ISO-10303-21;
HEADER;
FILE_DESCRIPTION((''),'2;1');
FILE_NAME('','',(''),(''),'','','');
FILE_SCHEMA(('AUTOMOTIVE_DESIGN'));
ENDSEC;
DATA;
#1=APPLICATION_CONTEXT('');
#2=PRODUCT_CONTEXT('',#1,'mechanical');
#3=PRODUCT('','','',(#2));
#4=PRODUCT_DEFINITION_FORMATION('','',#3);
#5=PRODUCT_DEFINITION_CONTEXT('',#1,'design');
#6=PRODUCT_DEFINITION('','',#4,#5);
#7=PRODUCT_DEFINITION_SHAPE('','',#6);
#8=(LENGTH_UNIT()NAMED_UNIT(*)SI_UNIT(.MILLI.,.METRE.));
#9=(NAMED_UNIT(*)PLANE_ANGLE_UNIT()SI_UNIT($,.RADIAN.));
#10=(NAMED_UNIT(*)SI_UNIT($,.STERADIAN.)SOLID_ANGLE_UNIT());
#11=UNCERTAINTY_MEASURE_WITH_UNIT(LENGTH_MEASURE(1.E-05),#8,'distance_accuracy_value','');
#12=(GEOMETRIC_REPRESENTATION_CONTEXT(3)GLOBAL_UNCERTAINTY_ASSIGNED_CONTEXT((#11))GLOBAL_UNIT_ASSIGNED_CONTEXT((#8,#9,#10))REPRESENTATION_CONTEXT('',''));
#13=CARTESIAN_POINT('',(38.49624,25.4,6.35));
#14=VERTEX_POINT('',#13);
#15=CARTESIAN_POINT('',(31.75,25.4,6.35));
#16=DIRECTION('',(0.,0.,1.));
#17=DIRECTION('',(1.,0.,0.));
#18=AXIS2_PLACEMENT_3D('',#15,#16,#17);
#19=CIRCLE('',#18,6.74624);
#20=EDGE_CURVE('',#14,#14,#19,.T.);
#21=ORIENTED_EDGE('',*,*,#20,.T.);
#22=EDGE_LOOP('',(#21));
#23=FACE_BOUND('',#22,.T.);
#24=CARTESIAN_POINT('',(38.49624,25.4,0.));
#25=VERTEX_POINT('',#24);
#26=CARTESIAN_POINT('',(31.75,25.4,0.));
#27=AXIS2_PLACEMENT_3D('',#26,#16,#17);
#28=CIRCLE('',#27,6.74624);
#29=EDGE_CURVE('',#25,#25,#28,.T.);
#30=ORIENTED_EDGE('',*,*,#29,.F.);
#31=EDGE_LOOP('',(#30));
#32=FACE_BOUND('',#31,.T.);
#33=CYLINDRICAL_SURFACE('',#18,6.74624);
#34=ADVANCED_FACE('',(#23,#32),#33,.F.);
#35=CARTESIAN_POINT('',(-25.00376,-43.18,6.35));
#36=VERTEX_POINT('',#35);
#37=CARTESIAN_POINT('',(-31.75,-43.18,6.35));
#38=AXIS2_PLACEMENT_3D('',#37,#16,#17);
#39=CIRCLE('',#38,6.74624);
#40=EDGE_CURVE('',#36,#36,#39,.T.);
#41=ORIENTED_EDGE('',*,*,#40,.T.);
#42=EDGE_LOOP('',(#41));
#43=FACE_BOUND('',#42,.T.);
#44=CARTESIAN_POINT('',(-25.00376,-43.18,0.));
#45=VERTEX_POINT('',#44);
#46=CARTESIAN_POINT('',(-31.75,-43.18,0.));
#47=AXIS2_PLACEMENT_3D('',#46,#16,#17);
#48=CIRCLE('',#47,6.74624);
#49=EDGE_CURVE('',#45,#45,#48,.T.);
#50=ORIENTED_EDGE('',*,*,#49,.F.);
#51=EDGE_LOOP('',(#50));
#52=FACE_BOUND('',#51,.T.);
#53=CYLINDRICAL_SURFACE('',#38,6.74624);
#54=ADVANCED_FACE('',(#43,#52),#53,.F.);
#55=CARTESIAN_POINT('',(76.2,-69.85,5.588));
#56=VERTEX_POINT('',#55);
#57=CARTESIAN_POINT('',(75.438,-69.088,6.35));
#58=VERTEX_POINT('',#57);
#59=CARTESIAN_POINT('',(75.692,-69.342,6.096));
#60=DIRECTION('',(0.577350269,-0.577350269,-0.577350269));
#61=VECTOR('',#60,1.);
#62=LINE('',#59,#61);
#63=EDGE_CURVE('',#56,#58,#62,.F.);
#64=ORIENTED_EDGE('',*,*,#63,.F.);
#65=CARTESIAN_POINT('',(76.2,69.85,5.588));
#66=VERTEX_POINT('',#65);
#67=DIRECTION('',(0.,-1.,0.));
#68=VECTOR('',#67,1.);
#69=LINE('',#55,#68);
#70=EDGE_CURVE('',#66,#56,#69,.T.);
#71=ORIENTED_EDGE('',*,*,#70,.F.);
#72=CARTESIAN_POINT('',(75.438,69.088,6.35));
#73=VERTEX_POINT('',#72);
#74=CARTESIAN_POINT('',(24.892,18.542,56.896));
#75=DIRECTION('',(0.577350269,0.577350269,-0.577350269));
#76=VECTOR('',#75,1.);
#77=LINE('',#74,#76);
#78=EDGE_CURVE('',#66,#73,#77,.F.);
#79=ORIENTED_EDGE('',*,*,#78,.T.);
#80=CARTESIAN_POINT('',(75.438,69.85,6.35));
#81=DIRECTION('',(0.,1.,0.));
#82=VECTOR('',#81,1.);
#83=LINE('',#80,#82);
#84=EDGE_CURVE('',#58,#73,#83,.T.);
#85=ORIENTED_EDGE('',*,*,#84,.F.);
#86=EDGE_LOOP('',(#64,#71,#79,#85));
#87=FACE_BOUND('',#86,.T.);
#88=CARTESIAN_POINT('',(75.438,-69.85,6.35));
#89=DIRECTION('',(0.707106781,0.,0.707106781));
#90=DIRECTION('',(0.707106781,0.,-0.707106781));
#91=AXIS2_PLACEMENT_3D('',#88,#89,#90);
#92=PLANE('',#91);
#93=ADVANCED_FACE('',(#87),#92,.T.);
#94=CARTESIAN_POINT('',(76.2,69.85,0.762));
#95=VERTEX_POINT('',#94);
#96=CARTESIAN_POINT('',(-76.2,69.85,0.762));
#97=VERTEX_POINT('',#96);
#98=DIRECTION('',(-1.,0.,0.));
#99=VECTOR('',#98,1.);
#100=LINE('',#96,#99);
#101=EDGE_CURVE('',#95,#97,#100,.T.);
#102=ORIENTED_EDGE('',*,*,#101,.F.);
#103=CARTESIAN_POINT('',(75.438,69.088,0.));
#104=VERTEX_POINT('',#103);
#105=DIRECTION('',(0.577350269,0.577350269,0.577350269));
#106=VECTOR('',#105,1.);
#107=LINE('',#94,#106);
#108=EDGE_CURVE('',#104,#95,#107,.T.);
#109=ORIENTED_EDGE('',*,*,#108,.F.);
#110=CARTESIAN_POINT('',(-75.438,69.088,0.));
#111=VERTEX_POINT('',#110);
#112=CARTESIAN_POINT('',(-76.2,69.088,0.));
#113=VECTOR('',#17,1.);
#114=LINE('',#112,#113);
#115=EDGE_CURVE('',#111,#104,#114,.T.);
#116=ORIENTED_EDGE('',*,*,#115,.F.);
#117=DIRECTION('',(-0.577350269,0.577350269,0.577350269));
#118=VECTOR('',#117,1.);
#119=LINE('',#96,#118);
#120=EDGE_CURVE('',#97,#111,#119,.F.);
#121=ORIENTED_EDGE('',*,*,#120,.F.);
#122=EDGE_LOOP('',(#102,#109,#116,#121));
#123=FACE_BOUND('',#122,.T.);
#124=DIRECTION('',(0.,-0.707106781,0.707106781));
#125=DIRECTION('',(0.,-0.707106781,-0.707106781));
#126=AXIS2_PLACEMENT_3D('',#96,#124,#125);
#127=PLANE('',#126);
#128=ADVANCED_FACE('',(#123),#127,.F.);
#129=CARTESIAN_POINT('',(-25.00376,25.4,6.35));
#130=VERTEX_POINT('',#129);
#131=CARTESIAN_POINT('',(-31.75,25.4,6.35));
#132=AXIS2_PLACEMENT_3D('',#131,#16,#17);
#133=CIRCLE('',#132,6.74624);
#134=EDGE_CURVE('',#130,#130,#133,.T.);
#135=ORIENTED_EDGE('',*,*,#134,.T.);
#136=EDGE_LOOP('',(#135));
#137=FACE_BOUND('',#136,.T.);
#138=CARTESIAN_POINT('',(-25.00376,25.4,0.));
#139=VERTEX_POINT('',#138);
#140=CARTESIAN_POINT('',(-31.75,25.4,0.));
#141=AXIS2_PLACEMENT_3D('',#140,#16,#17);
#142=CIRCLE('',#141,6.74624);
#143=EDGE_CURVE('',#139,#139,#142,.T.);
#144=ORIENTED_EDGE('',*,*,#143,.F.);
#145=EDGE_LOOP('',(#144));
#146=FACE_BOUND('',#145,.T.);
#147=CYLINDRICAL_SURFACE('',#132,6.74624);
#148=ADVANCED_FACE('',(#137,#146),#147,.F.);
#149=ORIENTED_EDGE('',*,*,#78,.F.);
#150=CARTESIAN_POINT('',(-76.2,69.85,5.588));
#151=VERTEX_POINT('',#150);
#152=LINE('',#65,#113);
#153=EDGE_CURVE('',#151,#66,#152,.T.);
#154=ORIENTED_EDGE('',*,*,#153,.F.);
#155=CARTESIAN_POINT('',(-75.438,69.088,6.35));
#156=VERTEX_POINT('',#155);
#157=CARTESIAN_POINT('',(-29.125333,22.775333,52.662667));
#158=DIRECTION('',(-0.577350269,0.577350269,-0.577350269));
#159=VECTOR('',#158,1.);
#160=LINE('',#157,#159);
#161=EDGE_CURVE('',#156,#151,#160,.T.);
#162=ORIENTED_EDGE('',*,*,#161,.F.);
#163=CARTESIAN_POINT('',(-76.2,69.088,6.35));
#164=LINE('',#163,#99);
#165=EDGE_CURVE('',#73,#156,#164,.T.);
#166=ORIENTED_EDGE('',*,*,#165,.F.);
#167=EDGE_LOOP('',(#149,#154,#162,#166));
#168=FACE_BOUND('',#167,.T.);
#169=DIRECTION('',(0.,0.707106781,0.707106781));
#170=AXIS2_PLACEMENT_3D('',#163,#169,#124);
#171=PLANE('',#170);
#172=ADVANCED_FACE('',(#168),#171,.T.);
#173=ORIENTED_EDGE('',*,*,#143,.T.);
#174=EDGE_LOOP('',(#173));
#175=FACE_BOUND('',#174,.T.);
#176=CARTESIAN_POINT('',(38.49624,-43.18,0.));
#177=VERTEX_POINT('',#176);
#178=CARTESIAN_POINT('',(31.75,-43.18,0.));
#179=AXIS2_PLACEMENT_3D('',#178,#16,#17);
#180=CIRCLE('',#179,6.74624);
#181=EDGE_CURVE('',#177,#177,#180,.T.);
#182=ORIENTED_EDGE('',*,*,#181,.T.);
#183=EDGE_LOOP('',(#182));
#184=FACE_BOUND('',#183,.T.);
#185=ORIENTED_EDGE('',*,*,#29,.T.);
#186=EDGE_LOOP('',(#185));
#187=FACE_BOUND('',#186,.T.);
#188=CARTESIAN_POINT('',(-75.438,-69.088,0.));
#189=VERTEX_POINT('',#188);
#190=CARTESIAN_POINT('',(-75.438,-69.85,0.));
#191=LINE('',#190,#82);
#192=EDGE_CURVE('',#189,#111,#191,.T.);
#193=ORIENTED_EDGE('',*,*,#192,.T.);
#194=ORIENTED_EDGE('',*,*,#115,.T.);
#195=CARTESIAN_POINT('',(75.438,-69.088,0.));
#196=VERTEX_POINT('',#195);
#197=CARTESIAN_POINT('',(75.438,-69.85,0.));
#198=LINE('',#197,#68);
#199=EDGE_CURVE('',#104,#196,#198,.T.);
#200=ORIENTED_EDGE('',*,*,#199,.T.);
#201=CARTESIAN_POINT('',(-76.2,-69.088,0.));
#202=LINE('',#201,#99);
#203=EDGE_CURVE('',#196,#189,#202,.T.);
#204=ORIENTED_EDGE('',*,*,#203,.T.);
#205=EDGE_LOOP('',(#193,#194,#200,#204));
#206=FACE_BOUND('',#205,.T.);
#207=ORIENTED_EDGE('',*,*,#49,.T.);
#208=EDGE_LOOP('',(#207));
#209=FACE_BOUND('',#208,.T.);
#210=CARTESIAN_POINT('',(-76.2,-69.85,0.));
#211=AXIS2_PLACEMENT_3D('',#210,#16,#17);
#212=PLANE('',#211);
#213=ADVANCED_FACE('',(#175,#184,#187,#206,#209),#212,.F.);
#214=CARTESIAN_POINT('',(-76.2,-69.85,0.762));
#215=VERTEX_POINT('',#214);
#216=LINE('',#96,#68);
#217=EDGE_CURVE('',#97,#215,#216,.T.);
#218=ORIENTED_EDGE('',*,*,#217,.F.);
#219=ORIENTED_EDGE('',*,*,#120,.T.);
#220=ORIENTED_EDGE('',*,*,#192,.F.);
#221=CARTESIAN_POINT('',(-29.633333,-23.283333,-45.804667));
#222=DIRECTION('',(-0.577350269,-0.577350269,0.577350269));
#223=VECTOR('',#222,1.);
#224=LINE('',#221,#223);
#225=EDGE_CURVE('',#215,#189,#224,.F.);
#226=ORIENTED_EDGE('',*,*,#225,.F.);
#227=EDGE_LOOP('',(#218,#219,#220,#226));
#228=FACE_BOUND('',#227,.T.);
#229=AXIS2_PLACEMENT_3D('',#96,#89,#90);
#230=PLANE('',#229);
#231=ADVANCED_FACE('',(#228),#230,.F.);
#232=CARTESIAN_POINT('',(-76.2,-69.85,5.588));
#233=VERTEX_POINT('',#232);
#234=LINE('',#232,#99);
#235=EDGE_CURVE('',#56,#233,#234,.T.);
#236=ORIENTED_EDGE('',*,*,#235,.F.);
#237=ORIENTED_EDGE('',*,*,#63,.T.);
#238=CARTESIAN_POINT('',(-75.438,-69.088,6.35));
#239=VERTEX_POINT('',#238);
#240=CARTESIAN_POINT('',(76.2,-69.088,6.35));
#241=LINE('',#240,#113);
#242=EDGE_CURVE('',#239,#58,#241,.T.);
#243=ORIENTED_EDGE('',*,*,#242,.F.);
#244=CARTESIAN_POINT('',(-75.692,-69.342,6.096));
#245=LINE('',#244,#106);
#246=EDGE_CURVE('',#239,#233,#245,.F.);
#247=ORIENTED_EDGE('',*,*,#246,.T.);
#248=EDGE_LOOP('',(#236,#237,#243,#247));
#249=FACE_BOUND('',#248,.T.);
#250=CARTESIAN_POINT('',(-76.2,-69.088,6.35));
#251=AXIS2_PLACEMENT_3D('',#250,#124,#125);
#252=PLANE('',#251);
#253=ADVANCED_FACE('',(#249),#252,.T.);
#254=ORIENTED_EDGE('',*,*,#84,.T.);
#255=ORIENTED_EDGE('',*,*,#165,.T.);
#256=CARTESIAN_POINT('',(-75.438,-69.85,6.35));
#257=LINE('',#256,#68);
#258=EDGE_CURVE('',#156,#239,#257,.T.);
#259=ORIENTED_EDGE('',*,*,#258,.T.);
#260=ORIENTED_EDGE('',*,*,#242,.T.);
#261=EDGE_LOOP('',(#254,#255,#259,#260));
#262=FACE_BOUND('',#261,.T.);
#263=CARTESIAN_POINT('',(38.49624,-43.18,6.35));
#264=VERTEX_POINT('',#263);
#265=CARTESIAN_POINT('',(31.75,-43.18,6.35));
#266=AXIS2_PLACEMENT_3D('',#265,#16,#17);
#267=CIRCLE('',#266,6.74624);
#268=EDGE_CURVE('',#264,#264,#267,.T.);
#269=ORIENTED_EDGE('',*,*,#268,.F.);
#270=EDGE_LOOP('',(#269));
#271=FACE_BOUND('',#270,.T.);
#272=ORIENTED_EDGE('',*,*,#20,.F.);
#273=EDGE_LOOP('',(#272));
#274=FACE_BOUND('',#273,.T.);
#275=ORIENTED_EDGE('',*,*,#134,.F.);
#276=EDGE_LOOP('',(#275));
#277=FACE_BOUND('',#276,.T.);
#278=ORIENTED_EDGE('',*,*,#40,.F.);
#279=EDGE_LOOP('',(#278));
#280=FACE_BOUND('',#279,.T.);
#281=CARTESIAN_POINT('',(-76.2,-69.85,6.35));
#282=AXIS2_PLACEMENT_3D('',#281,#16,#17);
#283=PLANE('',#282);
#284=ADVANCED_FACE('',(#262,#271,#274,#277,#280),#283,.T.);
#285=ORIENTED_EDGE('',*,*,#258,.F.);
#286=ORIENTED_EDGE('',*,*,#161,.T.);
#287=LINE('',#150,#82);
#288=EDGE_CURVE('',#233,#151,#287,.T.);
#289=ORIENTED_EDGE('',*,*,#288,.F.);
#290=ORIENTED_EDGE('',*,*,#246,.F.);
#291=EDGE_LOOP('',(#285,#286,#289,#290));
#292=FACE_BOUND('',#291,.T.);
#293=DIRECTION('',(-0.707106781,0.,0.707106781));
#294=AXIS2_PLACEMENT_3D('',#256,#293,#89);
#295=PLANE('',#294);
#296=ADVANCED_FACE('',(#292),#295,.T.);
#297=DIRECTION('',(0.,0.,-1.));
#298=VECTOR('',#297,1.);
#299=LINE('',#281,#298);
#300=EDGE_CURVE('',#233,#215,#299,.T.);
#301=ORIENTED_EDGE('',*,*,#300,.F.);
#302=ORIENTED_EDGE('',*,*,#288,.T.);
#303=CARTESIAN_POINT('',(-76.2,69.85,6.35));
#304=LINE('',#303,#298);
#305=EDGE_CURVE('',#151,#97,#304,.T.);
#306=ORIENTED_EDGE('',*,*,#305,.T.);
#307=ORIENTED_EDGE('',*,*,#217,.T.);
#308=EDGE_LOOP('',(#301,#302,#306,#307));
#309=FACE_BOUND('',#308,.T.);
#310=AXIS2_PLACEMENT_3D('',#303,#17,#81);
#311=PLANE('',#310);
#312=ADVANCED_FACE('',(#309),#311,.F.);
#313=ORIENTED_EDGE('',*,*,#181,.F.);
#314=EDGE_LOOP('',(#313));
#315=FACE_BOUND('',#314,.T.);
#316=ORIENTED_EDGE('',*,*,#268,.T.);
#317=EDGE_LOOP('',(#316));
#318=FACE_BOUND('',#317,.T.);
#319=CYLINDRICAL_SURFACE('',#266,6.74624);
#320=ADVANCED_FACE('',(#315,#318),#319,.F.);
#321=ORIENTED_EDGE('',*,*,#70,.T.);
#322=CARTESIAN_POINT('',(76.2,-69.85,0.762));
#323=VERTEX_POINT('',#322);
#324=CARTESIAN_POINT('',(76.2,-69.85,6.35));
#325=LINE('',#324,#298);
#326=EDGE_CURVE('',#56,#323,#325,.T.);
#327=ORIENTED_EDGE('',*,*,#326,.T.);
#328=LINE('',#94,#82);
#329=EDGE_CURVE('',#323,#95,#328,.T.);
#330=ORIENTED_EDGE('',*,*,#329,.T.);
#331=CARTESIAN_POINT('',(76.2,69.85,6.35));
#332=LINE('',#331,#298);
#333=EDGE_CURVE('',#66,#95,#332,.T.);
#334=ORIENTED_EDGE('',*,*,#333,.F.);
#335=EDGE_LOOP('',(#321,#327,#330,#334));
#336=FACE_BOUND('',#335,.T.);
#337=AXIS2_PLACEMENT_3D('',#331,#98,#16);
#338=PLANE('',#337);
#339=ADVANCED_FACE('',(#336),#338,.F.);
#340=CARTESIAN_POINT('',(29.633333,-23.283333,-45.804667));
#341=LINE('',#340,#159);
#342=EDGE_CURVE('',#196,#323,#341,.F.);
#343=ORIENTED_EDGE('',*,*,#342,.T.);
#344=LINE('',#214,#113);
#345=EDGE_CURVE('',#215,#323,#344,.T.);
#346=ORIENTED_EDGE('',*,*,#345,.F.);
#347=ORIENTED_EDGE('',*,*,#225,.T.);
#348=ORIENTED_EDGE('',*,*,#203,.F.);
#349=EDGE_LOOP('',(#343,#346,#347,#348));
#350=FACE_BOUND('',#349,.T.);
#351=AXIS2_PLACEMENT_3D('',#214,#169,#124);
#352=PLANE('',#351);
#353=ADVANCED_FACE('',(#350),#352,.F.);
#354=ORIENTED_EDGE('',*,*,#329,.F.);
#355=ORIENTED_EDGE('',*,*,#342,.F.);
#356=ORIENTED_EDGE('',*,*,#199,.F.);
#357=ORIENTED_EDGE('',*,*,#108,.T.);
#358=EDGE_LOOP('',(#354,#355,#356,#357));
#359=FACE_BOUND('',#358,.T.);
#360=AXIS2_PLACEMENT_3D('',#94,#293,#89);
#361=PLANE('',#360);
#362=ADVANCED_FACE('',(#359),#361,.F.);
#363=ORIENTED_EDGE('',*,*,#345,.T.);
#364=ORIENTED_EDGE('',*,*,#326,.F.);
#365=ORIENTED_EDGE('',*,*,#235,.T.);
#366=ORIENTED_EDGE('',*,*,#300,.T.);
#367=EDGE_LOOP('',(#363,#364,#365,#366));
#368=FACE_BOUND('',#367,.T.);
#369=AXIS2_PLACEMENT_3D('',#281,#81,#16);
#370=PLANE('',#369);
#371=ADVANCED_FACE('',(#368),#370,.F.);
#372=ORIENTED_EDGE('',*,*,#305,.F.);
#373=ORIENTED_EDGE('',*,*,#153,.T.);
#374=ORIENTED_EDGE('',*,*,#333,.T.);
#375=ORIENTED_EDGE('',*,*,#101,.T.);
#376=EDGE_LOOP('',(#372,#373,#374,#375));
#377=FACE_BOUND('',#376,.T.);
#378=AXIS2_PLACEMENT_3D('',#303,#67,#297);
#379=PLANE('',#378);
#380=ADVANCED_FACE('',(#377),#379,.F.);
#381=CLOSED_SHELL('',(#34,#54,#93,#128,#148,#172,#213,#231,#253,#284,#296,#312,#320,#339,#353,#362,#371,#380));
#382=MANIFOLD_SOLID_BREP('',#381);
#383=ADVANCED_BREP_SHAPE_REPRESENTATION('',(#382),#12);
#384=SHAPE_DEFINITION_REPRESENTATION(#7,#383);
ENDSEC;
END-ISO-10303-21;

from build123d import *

# Parameters (mm, degrees)
SKETCH1_W               = 152.4
SKETCH1_H               = 139.7
EXTRUDE1_DEPTH          = 6.35
CHAMFER1_SIZE           = 0.762
F_1_2_CLEARANCE_HOLE1_D = 13.49248


with BuildPart() as part:
    # Sketch1 → Extrude1 (new body)
    with BuildSketch(Plane.XY):
        Rectangle(SKETCH1_W, SKETCH1_H)
    extrude(amount=EXTRUDE1_DEPTH)

    # Chamfer1
    chamfer1_edges = [part.edges().sort_by_distance(p)[0] for p in [
        (76.2, 0, 6.35),
        (0, 69.85, 6.35),
        (-76.2, 0, 6.35),
        (0, 69.85, 0),
        (76.2, 0, 0),
        (0, -69.85, 0),
        (-76.2, 0, 0),
        (0, -69.85, 6.35),
    ]]
    chamfer(chamfer1_edges, length=CHAMFER1_SIZE)

    # 1/2 Clearance Hole1 (through all)
    with Locations(Plane.XY.offset(6.35)):
        with Locations((-31.75, 25.4), (31.75, 25.4), (-31.75, -43.18), (31.75, -43.18)):
            Hole(F_1_2_CLEARANCE_HOLE1_D / 2)


solid = part.part
